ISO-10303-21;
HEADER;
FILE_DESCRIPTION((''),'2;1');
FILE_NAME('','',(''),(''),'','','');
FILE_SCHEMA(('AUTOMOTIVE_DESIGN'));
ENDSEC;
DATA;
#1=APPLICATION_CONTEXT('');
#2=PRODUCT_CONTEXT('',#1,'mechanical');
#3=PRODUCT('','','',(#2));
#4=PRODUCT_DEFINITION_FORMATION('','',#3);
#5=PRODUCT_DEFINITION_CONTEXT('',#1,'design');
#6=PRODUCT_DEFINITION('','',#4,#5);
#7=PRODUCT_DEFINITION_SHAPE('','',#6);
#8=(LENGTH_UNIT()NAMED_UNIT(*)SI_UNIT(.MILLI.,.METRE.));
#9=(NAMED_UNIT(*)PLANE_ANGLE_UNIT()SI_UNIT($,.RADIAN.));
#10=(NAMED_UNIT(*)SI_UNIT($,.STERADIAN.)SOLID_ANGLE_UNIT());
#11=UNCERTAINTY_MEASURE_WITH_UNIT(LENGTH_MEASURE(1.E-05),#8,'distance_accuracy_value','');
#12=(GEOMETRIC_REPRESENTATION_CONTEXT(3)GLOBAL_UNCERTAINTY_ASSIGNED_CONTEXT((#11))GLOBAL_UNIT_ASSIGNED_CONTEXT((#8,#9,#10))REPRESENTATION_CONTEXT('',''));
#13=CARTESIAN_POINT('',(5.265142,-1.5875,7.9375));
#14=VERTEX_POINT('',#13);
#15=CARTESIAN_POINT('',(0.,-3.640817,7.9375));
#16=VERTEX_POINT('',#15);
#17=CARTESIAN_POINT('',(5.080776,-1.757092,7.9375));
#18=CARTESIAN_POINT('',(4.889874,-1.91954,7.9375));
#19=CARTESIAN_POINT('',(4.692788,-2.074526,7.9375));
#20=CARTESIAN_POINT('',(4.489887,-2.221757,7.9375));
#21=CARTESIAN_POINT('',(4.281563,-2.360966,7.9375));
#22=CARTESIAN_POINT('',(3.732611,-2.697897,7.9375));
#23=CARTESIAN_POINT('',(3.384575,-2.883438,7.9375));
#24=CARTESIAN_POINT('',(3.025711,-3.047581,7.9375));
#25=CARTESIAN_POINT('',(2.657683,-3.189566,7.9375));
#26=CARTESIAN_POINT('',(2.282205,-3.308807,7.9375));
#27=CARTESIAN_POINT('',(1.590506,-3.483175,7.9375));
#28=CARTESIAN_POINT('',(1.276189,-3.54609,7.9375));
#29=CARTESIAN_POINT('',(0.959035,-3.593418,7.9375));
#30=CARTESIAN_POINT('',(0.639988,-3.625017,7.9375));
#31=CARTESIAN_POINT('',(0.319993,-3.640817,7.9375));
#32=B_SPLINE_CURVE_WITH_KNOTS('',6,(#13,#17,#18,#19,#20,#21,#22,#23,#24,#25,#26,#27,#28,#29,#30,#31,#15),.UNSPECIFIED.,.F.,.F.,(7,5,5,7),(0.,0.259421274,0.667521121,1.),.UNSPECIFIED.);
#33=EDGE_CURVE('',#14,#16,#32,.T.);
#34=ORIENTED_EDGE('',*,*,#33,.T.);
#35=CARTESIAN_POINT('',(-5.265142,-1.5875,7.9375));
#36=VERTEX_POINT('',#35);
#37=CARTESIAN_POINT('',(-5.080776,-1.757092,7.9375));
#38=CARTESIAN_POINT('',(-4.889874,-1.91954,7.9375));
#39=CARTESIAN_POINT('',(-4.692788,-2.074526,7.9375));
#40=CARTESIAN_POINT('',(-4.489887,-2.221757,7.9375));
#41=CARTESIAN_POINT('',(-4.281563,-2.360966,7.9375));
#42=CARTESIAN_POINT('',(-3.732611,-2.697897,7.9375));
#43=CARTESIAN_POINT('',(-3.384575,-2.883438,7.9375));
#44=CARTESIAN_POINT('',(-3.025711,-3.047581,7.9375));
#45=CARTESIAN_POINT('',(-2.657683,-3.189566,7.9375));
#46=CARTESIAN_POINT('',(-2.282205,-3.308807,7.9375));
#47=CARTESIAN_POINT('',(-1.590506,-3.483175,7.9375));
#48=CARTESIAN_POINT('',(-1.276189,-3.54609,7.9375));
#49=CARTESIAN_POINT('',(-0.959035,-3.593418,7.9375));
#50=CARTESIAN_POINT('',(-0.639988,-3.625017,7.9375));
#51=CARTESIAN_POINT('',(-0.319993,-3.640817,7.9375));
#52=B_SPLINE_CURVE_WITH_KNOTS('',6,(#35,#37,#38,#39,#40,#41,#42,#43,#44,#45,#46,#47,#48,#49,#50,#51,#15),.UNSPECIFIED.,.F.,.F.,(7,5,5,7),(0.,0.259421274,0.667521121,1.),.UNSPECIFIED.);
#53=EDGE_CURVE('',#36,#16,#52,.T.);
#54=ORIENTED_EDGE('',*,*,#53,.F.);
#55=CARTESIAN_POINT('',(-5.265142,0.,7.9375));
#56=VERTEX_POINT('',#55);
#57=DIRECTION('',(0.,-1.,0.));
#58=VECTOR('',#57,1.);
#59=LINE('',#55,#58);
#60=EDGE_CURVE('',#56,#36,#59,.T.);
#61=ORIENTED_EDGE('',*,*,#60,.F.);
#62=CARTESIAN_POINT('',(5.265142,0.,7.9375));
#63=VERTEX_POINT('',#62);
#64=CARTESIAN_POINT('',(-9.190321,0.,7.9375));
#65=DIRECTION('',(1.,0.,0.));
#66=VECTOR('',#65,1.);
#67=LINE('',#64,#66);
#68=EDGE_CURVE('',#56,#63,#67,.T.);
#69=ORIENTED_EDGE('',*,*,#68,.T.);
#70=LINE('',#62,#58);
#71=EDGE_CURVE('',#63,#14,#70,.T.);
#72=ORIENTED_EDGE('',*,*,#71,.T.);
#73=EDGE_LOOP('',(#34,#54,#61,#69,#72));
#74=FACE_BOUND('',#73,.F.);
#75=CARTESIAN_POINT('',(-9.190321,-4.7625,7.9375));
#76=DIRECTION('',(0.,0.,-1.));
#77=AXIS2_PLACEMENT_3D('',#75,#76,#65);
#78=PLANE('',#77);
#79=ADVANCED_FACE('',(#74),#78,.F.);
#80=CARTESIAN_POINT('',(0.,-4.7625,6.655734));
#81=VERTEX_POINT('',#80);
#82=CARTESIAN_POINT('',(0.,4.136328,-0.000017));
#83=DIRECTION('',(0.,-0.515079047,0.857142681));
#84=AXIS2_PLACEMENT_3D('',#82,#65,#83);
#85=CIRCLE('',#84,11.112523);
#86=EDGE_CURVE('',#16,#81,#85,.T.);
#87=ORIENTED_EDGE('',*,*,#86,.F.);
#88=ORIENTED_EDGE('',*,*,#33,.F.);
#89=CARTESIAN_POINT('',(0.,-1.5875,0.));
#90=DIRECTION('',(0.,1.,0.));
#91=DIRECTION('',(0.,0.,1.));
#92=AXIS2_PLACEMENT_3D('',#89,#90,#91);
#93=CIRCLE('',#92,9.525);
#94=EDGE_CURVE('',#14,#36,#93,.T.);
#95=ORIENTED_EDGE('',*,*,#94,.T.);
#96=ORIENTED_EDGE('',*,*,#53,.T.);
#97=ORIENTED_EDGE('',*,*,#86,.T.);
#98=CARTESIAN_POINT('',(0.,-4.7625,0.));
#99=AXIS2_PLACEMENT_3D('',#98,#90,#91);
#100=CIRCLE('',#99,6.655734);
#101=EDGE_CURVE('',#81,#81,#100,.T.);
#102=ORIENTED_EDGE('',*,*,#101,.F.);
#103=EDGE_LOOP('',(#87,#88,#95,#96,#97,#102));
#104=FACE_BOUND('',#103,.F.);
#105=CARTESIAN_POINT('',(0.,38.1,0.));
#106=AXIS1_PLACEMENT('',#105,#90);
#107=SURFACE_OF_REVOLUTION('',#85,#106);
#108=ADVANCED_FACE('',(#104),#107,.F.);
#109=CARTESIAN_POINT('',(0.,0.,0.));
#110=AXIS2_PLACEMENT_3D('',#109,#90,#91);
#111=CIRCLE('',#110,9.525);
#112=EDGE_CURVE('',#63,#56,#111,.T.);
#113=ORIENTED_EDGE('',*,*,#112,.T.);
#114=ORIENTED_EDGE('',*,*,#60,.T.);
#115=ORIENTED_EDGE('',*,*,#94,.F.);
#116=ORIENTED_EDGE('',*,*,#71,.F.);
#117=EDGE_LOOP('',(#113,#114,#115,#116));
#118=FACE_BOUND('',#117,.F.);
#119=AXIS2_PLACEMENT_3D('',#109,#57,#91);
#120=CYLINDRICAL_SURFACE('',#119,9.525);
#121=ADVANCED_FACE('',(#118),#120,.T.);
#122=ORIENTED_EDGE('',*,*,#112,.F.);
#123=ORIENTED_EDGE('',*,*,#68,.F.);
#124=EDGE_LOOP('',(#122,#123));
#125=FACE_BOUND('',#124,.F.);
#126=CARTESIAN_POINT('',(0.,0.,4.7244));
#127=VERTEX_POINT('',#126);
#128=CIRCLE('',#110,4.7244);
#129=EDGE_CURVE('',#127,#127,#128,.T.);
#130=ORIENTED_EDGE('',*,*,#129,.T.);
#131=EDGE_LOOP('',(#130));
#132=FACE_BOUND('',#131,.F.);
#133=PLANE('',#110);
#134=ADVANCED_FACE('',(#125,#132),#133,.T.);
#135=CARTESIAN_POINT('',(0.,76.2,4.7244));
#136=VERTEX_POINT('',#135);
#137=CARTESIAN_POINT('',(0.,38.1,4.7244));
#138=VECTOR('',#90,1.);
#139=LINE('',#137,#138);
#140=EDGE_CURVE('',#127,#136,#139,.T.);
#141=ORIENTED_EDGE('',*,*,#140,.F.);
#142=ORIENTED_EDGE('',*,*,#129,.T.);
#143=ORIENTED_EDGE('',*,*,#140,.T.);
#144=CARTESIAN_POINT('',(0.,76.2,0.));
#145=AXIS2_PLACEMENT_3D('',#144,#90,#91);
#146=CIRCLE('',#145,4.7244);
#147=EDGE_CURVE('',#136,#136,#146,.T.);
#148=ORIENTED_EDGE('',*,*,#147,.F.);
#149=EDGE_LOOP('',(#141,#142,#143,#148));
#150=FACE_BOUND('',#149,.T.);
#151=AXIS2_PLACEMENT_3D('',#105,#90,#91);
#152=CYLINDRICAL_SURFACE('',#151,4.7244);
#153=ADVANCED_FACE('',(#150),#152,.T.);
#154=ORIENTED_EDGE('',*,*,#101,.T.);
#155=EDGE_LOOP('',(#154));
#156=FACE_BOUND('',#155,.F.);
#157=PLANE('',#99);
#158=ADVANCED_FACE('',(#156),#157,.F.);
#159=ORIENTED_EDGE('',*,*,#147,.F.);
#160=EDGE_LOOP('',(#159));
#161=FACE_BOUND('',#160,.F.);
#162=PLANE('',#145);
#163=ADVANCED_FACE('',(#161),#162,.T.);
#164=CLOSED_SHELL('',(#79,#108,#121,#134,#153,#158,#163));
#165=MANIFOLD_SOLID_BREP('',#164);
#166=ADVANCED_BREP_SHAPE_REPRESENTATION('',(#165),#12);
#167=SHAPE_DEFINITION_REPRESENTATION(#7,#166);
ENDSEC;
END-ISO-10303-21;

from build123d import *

# Parameters (mm, degrees)
F0_W     = 76.2
F0_H     = 4.7244
F3_DEPTH = 4.7625


with BuildPart() as f1:
    # F0 (on Right) → F1 (revolve)
    with BuildSketch(Plane.YZ):
        with Locations((38.1, 2.3622)):
            Rectangle(F0_W, F0_H)
        with BuildLine():
            Line((-4.7625, 0), (0, 0))
            Line((0, 0), (0, 4.7244))
            Line((0, 4.7244), (0, 9.525))
            Line((0, 9.525), (-1.5875, 9.525))
            ThreePointArc((-1.5875, 9.525), (-3.314423, 8.244646), (-4.7625, 6.655734))
            Line((-4.7625, 6.655734), (-4.7625, 0))
        make_face()
    revolve(axis=Axis((0, 38.1, 0), (0, 1, 0)))

    # F2 (on face) → F3 (cut)
    with BuildSketch(Plane.XZ.offset(4.7625)):
        Polygon((-9.190321, 7.9375), (0, 7.9375), (9.859679, 7.9375), (9.859679, 11.747576), (-9.190321, 11.747576), align=None)
    extrude(amount=-F3_DEPTH, mode=Mode.SUBTRACT)


solid = f1.part
